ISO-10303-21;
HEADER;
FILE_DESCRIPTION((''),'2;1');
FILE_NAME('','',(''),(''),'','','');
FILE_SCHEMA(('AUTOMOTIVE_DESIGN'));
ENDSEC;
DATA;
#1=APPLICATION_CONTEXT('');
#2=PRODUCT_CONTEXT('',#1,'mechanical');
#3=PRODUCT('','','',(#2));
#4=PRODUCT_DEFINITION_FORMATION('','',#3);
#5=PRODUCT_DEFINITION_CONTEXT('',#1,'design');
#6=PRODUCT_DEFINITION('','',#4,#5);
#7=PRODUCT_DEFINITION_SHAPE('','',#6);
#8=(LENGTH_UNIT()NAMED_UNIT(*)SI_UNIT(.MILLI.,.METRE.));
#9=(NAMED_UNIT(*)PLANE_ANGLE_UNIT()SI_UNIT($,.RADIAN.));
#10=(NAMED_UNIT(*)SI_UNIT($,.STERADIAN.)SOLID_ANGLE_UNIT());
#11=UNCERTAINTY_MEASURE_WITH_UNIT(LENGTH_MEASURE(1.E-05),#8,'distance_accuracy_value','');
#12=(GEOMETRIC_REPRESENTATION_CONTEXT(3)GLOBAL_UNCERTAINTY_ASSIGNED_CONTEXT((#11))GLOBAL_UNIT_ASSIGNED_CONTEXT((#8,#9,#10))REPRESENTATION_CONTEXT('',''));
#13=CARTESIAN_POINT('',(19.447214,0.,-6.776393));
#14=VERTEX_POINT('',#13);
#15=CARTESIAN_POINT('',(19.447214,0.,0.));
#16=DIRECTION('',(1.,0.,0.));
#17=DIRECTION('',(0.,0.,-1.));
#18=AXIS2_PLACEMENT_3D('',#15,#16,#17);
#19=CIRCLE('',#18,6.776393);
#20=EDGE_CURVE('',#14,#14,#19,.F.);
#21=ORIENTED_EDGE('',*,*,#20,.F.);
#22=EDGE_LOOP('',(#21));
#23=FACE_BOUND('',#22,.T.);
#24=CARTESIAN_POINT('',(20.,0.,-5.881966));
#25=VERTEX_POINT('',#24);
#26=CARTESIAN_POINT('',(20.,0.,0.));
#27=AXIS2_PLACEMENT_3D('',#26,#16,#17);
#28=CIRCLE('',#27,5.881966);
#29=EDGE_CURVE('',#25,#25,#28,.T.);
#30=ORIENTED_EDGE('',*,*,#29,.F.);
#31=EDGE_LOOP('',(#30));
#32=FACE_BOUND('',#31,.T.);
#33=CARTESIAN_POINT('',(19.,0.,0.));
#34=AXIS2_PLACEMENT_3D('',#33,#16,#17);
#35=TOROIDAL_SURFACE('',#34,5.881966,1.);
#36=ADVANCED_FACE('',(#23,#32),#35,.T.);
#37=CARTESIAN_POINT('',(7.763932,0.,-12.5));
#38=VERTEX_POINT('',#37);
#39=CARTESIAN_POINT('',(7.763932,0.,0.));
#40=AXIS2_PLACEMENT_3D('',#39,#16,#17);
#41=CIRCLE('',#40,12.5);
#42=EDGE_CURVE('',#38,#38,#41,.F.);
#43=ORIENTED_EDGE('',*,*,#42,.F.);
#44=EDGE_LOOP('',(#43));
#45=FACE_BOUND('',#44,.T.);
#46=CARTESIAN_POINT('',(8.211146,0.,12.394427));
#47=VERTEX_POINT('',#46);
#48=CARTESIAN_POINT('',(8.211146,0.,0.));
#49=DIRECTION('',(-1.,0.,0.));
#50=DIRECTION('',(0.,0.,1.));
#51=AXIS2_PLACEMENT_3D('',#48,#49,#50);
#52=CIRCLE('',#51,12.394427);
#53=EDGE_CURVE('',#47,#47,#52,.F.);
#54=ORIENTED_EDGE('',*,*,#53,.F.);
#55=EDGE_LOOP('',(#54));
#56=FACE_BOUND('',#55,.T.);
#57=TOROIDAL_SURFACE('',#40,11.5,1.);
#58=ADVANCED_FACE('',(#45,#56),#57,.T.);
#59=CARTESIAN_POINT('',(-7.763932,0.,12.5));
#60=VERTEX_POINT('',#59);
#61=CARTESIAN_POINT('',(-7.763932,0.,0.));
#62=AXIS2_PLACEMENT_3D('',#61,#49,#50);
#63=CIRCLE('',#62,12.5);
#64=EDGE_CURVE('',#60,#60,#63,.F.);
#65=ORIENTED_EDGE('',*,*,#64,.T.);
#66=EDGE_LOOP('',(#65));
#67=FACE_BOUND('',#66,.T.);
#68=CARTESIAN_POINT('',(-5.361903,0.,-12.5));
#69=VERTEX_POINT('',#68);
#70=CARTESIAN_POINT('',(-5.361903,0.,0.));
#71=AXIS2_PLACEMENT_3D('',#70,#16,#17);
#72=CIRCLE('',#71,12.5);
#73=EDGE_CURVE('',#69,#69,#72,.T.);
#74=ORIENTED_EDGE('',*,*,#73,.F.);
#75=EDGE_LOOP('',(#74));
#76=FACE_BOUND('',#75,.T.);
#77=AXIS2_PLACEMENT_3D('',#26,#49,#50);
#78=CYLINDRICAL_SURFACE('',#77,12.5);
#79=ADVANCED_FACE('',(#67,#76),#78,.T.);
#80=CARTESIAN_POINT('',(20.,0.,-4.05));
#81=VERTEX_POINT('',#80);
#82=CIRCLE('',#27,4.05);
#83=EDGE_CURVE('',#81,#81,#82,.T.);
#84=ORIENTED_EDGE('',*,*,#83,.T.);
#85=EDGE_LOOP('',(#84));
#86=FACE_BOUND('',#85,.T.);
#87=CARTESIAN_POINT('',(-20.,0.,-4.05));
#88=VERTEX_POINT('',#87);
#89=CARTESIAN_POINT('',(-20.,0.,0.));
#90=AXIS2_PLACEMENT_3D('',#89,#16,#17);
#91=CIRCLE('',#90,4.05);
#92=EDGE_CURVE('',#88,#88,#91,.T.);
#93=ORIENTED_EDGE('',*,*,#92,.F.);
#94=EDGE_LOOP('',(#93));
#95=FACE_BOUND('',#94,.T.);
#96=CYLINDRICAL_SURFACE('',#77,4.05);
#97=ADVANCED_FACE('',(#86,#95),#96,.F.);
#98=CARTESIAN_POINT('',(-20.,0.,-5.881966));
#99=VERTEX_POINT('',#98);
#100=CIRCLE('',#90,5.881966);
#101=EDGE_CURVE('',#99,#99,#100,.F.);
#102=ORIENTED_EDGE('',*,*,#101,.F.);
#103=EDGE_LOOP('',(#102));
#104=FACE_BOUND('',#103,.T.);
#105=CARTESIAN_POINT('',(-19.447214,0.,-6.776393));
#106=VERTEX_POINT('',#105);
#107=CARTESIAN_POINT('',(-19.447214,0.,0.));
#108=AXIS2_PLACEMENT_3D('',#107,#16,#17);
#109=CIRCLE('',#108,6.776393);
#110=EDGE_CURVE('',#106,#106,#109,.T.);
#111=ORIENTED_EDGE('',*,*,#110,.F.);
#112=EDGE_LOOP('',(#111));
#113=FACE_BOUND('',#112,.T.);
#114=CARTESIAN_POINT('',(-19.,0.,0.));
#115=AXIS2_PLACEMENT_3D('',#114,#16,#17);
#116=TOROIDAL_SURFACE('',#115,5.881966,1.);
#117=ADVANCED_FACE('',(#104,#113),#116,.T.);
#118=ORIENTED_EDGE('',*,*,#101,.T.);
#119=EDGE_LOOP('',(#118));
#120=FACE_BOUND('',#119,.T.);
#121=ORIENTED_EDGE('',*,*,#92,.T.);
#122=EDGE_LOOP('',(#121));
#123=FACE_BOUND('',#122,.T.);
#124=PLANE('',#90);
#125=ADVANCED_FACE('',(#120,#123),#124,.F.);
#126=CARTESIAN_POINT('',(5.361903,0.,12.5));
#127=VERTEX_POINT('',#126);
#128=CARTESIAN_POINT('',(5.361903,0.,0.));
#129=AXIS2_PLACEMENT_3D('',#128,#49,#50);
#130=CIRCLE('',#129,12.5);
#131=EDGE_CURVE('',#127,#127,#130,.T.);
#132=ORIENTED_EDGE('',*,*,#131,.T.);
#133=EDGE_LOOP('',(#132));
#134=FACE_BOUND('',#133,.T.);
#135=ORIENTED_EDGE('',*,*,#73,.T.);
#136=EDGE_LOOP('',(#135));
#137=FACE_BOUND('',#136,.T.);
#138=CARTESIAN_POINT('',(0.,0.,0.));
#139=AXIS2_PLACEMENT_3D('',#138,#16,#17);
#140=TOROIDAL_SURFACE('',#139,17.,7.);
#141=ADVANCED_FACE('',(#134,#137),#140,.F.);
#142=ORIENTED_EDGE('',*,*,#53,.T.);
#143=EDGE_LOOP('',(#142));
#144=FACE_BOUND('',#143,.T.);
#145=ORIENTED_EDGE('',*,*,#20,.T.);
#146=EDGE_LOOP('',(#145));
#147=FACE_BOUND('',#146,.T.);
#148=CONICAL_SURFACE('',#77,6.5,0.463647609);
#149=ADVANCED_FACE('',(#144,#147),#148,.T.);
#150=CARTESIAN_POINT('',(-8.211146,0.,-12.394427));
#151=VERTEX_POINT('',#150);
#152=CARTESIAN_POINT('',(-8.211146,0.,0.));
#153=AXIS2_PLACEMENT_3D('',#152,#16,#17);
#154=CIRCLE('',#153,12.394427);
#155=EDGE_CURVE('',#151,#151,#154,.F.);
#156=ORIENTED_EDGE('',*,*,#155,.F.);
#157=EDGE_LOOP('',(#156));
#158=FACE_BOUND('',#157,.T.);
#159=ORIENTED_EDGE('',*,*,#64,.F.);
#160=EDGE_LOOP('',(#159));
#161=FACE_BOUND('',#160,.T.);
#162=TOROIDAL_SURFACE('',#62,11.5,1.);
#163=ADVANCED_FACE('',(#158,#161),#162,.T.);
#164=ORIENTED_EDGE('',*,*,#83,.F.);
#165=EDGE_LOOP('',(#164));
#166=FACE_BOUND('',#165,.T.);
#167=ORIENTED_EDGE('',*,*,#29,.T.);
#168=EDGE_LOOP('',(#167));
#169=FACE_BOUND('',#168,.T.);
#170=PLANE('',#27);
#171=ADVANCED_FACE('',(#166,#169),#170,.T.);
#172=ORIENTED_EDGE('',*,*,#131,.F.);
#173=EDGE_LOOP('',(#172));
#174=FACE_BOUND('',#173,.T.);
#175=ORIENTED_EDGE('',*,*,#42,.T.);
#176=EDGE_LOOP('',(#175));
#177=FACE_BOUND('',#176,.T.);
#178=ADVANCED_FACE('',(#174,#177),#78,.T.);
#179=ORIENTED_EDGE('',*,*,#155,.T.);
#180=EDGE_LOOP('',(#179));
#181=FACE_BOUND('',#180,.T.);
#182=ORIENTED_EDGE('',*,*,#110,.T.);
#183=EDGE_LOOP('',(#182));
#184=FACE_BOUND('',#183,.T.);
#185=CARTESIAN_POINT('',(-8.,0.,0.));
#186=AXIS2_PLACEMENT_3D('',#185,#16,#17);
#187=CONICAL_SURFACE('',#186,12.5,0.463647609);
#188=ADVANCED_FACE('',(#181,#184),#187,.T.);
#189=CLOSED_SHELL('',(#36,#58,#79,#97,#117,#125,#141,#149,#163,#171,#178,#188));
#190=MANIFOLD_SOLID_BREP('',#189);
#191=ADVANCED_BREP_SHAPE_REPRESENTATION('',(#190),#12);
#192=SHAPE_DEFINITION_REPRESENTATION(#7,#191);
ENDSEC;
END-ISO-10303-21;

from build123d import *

# Parameters (mm, degrees)
CROQUIS1_R              = 12.5
CROQUIS1_R_2            = 4.05
SALIENTE_EXTRUIR1_DEPTH = 20
CROQUIS2_R              = 7
CHAFL_N1_SIZE           = 6
CHAFL_N1_SIZE2          = 12
CHAFL_N2_SIZE           = 12
CHAFL_N2_SIZE2          = 6
REDONDEO1_R             = 1


with BuildPart() as part:
    # Croquis1 → Saliente-Extruir1 (new, symmetric)
    with BuildSketch(Plane.YZ):
        with Locations(Location((0, 0, 0), (0, 0, 270))):
            Circle(CROQUIS1_R)
        with Locations(Location((0, 0, 0), (0, 0, 270))):
            Circle(CROQUIS1_R_2, mode=Mode.SUBTRACT)
    extrude(amount=SALIENTE_EXTRUIR1_DEPTH, both=True)

    # Croquis2 → Cortar-Revolución1 (revolve, cut)
    with BuildSketch(Plane(origin=(0, 0, 0), x_dir=(-1, 0, 0), z_dir=(0, 1, 0)), mode=Mode.PRIVATE) as cortar_revoluci_n1_sk:
        with Locations((0, 17)):
            Circle(CROQUIS2_R)
    revolve(cortar_revoluci_n1_sk.sketch.rotate(Axis((8.275317192, 0, 0), (-1, 0, 0)), 180), axis=Axis((8.275317192, 0, 0), (-1, 0, 0)), mode=Mode.SUBTRACT)

    # Chaflán1
    chafl_n1_edges = [part.edges().sort_by_distance(p)[0] for p in [
        (-20, 0, 12.5),
    ]]
    chafl_n1_side = [part.faces().sort_by_distance(p)[0] for p in [
        (-20, 0, 12.146446609),
    ]]
    chamfer(chafl_n1_edges, length=CHAFL_N1_SIZE, length2=CHAFL_N1_SIZE2, reference=chafl_n1_side[0])

    # Chaflán2
    chafl_n2_edges = [part.edges().sort_by_distance(p)[0] for p in [
        (20, 0, 12.5),
    ]]
    chafl_n2_side = [part.faces().sort_by_distance(p)[0] for p in [
        (12.680951324, 0, 12.5),
    ]]
    chamfer(chafl_n2_edges, length=CHAFL_N2_SIZE, length2=CHAFL_N2_SIZE2, reference=chafl_n2_side[0])

    # Redondeo1
    redondeo1_edges = [part.edges().sort_by_distance(p)[0] for p in [
        (-8, 0, 12.5),
        (-20, 0, 6.5),
        (20, 0, 6.5),
        (8, 0, 12.5),
    ]]
    fillet(redondeo1_edges, radius=REDONDEO1_R)


solid = part.part
